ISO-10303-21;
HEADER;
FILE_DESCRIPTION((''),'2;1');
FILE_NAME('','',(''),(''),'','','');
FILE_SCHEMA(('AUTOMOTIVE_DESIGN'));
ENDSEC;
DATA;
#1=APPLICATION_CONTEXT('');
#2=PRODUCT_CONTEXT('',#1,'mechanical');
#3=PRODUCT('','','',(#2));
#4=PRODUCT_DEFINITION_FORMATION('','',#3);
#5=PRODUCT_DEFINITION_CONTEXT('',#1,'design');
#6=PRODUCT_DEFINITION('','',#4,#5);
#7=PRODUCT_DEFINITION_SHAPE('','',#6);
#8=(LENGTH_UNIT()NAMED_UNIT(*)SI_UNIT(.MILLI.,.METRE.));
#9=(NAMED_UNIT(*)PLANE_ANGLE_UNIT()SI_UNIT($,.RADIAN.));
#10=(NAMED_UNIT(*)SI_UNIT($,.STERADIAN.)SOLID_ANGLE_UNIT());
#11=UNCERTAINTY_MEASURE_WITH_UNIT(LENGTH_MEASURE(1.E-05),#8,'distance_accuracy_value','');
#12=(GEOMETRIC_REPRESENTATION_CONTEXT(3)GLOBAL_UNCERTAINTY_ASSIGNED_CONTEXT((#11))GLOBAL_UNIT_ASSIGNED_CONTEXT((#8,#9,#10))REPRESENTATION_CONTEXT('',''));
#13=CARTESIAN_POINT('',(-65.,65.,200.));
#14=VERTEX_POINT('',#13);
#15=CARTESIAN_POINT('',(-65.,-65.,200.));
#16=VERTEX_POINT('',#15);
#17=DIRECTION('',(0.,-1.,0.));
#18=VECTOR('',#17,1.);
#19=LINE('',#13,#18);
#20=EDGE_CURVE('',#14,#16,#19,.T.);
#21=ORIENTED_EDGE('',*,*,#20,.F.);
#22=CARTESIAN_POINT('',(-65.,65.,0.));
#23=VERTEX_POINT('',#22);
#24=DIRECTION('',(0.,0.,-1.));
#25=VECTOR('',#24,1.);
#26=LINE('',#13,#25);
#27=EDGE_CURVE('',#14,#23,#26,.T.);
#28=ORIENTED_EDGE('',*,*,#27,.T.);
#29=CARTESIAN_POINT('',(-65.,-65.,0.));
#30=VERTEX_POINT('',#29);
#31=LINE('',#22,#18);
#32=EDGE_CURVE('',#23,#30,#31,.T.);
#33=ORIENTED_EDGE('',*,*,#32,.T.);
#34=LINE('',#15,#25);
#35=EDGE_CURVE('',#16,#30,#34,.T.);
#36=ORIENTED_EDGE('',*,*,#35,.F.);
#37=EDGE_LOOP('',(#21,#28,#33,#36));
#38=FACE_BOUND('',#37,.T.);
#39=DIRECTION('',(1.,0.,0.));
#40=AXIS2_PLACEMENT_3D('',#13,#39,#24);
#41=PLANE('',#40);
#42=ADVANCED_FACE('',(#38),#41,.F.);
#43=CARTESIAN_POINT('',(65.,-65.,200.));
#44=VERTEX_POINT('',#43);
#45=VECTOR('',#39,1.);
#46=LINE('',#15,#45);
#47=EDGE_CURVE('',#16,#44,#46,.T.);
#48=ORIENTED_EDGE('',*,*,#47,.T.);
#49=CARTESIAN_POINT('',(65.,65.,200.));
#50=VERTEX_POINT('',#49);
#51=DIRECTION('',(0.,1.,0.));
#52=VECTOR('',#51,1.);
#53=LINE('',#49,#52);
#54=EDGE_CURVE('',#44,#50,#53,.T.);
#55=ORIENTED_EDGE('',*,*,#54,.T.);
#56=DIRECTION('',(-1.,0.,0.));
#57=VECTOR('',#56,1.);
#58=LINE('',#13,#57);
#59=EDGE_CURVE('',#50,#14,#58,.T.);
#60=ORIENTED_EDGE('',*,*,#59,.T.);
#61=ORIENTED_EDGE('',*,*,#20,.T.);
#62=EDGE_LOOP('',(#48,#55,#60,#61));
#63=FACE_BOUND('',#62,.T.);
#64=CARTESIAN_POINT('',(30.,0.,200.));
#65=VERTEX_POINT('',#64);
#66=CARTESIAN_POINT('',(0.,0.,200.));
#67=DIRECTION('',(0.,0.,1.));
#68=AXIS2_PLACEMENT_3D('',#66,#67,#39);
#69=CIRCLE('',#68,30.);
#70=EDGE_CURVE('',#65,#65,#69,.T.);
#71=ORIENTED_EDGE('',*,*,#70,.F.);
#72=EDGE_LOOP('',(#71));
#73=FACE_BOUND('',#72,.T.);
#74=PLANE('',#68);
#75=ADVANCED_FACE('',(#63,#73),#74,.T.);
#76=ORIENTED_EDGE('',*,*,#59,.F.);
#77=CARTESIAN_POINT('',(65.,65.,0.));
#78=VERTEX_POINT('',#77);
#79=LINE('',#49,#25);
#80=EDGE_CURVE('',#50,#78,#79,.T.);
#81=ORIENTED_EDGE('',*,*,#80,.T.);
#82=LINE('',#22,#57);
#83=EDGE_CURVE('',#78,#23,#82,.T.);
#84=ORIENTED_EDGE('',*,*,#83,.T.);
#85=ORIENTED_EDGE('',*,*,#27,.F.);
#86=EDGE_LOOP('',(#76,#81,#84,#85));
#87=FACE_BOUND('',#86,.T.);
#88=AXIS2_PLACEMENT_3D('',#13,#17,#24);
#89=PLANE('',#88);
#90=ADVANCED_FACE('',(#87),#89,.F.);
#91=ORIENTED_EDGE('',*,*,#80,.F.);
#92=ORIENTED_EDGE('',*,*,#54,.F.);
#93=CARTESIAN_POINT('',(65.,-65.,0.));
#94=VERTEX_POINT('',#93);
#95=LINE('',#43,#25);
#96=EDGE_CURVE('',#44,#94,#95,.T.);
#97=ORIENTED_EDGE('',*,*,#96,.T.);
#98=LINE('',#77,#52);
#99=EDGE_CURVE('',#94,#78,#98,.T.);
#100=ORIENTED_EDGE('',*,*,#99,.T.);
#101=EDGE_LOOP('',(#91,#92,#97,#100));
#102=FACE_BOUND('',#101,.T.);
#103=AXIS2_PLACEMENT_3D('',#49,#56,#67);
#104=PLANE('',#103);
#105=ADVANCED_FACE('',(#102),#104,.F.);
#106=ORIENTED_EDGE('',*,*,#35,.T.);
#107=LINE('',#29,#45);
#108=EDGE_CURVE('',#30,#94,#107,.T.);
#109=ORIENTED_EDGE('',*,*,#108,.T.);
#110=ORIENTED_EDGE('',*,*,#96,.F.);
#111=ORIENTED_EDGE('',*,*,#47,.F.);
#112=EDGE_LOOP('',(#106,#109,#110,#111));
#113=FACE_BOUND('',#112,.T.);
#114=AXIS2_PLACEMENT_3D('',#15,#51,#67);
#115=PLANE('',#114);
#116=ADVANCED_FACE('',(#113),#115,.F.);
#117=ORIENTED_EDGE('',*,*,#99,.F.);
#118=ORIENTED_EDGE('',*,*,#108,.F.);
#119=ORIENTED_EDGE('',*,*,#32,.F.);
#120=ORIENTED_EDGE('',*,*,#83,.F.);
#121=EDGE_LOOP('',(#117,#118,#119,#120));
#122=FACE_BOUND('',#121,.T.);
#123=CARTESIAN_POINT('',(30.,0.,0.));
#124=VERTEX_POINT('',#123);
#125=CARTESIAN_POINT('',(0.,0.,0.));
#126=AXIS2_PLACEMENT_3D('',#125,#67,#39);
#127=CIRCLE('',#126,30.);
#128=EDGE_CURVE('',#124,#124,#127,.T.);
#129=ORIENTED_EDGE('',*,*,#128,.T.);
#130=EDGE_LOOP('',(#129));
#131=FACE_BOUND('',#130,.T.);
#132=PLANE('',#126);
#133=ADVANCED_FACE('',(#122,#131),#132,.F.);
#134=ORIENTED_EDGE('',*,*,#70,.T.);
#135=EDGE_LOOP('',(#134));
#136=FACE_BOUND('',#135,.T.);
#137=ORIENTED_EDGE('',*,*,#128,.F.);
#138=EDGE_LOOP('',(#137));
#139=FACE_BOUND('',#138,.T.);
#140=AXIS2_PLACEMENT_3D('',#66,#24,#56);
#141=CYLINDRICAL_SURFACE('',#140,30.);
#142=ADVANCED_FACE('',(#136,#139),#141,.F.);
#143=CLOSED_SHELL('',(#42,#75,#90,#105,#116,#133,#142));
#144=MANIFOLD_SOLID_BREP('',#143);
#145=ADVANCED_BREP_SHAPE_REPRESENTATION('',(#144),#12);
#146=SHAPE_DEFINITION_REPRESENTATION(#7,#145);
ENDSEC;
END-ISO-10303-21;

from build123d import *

# Parameters (mm, degrees)
SKETCH_2_W      = 130
SKETCH_2_H      = 130
SKETCH_2_R      = 30
EXTRUDE_2_DEPTH = 200


with BuildPart() as part:
    # 스케치2 → 보스-돌출2 (new body)
    with BuildSketch(Plane.XY):
        Rectangle(SKETCH_2_W, SKETCH_2_H)
        Circle(SKETCH_2_R, mode=Mode.SUBTRACT)
    extrude(amount=EXTRUDE_2_DEPTH)


solid = part.part
